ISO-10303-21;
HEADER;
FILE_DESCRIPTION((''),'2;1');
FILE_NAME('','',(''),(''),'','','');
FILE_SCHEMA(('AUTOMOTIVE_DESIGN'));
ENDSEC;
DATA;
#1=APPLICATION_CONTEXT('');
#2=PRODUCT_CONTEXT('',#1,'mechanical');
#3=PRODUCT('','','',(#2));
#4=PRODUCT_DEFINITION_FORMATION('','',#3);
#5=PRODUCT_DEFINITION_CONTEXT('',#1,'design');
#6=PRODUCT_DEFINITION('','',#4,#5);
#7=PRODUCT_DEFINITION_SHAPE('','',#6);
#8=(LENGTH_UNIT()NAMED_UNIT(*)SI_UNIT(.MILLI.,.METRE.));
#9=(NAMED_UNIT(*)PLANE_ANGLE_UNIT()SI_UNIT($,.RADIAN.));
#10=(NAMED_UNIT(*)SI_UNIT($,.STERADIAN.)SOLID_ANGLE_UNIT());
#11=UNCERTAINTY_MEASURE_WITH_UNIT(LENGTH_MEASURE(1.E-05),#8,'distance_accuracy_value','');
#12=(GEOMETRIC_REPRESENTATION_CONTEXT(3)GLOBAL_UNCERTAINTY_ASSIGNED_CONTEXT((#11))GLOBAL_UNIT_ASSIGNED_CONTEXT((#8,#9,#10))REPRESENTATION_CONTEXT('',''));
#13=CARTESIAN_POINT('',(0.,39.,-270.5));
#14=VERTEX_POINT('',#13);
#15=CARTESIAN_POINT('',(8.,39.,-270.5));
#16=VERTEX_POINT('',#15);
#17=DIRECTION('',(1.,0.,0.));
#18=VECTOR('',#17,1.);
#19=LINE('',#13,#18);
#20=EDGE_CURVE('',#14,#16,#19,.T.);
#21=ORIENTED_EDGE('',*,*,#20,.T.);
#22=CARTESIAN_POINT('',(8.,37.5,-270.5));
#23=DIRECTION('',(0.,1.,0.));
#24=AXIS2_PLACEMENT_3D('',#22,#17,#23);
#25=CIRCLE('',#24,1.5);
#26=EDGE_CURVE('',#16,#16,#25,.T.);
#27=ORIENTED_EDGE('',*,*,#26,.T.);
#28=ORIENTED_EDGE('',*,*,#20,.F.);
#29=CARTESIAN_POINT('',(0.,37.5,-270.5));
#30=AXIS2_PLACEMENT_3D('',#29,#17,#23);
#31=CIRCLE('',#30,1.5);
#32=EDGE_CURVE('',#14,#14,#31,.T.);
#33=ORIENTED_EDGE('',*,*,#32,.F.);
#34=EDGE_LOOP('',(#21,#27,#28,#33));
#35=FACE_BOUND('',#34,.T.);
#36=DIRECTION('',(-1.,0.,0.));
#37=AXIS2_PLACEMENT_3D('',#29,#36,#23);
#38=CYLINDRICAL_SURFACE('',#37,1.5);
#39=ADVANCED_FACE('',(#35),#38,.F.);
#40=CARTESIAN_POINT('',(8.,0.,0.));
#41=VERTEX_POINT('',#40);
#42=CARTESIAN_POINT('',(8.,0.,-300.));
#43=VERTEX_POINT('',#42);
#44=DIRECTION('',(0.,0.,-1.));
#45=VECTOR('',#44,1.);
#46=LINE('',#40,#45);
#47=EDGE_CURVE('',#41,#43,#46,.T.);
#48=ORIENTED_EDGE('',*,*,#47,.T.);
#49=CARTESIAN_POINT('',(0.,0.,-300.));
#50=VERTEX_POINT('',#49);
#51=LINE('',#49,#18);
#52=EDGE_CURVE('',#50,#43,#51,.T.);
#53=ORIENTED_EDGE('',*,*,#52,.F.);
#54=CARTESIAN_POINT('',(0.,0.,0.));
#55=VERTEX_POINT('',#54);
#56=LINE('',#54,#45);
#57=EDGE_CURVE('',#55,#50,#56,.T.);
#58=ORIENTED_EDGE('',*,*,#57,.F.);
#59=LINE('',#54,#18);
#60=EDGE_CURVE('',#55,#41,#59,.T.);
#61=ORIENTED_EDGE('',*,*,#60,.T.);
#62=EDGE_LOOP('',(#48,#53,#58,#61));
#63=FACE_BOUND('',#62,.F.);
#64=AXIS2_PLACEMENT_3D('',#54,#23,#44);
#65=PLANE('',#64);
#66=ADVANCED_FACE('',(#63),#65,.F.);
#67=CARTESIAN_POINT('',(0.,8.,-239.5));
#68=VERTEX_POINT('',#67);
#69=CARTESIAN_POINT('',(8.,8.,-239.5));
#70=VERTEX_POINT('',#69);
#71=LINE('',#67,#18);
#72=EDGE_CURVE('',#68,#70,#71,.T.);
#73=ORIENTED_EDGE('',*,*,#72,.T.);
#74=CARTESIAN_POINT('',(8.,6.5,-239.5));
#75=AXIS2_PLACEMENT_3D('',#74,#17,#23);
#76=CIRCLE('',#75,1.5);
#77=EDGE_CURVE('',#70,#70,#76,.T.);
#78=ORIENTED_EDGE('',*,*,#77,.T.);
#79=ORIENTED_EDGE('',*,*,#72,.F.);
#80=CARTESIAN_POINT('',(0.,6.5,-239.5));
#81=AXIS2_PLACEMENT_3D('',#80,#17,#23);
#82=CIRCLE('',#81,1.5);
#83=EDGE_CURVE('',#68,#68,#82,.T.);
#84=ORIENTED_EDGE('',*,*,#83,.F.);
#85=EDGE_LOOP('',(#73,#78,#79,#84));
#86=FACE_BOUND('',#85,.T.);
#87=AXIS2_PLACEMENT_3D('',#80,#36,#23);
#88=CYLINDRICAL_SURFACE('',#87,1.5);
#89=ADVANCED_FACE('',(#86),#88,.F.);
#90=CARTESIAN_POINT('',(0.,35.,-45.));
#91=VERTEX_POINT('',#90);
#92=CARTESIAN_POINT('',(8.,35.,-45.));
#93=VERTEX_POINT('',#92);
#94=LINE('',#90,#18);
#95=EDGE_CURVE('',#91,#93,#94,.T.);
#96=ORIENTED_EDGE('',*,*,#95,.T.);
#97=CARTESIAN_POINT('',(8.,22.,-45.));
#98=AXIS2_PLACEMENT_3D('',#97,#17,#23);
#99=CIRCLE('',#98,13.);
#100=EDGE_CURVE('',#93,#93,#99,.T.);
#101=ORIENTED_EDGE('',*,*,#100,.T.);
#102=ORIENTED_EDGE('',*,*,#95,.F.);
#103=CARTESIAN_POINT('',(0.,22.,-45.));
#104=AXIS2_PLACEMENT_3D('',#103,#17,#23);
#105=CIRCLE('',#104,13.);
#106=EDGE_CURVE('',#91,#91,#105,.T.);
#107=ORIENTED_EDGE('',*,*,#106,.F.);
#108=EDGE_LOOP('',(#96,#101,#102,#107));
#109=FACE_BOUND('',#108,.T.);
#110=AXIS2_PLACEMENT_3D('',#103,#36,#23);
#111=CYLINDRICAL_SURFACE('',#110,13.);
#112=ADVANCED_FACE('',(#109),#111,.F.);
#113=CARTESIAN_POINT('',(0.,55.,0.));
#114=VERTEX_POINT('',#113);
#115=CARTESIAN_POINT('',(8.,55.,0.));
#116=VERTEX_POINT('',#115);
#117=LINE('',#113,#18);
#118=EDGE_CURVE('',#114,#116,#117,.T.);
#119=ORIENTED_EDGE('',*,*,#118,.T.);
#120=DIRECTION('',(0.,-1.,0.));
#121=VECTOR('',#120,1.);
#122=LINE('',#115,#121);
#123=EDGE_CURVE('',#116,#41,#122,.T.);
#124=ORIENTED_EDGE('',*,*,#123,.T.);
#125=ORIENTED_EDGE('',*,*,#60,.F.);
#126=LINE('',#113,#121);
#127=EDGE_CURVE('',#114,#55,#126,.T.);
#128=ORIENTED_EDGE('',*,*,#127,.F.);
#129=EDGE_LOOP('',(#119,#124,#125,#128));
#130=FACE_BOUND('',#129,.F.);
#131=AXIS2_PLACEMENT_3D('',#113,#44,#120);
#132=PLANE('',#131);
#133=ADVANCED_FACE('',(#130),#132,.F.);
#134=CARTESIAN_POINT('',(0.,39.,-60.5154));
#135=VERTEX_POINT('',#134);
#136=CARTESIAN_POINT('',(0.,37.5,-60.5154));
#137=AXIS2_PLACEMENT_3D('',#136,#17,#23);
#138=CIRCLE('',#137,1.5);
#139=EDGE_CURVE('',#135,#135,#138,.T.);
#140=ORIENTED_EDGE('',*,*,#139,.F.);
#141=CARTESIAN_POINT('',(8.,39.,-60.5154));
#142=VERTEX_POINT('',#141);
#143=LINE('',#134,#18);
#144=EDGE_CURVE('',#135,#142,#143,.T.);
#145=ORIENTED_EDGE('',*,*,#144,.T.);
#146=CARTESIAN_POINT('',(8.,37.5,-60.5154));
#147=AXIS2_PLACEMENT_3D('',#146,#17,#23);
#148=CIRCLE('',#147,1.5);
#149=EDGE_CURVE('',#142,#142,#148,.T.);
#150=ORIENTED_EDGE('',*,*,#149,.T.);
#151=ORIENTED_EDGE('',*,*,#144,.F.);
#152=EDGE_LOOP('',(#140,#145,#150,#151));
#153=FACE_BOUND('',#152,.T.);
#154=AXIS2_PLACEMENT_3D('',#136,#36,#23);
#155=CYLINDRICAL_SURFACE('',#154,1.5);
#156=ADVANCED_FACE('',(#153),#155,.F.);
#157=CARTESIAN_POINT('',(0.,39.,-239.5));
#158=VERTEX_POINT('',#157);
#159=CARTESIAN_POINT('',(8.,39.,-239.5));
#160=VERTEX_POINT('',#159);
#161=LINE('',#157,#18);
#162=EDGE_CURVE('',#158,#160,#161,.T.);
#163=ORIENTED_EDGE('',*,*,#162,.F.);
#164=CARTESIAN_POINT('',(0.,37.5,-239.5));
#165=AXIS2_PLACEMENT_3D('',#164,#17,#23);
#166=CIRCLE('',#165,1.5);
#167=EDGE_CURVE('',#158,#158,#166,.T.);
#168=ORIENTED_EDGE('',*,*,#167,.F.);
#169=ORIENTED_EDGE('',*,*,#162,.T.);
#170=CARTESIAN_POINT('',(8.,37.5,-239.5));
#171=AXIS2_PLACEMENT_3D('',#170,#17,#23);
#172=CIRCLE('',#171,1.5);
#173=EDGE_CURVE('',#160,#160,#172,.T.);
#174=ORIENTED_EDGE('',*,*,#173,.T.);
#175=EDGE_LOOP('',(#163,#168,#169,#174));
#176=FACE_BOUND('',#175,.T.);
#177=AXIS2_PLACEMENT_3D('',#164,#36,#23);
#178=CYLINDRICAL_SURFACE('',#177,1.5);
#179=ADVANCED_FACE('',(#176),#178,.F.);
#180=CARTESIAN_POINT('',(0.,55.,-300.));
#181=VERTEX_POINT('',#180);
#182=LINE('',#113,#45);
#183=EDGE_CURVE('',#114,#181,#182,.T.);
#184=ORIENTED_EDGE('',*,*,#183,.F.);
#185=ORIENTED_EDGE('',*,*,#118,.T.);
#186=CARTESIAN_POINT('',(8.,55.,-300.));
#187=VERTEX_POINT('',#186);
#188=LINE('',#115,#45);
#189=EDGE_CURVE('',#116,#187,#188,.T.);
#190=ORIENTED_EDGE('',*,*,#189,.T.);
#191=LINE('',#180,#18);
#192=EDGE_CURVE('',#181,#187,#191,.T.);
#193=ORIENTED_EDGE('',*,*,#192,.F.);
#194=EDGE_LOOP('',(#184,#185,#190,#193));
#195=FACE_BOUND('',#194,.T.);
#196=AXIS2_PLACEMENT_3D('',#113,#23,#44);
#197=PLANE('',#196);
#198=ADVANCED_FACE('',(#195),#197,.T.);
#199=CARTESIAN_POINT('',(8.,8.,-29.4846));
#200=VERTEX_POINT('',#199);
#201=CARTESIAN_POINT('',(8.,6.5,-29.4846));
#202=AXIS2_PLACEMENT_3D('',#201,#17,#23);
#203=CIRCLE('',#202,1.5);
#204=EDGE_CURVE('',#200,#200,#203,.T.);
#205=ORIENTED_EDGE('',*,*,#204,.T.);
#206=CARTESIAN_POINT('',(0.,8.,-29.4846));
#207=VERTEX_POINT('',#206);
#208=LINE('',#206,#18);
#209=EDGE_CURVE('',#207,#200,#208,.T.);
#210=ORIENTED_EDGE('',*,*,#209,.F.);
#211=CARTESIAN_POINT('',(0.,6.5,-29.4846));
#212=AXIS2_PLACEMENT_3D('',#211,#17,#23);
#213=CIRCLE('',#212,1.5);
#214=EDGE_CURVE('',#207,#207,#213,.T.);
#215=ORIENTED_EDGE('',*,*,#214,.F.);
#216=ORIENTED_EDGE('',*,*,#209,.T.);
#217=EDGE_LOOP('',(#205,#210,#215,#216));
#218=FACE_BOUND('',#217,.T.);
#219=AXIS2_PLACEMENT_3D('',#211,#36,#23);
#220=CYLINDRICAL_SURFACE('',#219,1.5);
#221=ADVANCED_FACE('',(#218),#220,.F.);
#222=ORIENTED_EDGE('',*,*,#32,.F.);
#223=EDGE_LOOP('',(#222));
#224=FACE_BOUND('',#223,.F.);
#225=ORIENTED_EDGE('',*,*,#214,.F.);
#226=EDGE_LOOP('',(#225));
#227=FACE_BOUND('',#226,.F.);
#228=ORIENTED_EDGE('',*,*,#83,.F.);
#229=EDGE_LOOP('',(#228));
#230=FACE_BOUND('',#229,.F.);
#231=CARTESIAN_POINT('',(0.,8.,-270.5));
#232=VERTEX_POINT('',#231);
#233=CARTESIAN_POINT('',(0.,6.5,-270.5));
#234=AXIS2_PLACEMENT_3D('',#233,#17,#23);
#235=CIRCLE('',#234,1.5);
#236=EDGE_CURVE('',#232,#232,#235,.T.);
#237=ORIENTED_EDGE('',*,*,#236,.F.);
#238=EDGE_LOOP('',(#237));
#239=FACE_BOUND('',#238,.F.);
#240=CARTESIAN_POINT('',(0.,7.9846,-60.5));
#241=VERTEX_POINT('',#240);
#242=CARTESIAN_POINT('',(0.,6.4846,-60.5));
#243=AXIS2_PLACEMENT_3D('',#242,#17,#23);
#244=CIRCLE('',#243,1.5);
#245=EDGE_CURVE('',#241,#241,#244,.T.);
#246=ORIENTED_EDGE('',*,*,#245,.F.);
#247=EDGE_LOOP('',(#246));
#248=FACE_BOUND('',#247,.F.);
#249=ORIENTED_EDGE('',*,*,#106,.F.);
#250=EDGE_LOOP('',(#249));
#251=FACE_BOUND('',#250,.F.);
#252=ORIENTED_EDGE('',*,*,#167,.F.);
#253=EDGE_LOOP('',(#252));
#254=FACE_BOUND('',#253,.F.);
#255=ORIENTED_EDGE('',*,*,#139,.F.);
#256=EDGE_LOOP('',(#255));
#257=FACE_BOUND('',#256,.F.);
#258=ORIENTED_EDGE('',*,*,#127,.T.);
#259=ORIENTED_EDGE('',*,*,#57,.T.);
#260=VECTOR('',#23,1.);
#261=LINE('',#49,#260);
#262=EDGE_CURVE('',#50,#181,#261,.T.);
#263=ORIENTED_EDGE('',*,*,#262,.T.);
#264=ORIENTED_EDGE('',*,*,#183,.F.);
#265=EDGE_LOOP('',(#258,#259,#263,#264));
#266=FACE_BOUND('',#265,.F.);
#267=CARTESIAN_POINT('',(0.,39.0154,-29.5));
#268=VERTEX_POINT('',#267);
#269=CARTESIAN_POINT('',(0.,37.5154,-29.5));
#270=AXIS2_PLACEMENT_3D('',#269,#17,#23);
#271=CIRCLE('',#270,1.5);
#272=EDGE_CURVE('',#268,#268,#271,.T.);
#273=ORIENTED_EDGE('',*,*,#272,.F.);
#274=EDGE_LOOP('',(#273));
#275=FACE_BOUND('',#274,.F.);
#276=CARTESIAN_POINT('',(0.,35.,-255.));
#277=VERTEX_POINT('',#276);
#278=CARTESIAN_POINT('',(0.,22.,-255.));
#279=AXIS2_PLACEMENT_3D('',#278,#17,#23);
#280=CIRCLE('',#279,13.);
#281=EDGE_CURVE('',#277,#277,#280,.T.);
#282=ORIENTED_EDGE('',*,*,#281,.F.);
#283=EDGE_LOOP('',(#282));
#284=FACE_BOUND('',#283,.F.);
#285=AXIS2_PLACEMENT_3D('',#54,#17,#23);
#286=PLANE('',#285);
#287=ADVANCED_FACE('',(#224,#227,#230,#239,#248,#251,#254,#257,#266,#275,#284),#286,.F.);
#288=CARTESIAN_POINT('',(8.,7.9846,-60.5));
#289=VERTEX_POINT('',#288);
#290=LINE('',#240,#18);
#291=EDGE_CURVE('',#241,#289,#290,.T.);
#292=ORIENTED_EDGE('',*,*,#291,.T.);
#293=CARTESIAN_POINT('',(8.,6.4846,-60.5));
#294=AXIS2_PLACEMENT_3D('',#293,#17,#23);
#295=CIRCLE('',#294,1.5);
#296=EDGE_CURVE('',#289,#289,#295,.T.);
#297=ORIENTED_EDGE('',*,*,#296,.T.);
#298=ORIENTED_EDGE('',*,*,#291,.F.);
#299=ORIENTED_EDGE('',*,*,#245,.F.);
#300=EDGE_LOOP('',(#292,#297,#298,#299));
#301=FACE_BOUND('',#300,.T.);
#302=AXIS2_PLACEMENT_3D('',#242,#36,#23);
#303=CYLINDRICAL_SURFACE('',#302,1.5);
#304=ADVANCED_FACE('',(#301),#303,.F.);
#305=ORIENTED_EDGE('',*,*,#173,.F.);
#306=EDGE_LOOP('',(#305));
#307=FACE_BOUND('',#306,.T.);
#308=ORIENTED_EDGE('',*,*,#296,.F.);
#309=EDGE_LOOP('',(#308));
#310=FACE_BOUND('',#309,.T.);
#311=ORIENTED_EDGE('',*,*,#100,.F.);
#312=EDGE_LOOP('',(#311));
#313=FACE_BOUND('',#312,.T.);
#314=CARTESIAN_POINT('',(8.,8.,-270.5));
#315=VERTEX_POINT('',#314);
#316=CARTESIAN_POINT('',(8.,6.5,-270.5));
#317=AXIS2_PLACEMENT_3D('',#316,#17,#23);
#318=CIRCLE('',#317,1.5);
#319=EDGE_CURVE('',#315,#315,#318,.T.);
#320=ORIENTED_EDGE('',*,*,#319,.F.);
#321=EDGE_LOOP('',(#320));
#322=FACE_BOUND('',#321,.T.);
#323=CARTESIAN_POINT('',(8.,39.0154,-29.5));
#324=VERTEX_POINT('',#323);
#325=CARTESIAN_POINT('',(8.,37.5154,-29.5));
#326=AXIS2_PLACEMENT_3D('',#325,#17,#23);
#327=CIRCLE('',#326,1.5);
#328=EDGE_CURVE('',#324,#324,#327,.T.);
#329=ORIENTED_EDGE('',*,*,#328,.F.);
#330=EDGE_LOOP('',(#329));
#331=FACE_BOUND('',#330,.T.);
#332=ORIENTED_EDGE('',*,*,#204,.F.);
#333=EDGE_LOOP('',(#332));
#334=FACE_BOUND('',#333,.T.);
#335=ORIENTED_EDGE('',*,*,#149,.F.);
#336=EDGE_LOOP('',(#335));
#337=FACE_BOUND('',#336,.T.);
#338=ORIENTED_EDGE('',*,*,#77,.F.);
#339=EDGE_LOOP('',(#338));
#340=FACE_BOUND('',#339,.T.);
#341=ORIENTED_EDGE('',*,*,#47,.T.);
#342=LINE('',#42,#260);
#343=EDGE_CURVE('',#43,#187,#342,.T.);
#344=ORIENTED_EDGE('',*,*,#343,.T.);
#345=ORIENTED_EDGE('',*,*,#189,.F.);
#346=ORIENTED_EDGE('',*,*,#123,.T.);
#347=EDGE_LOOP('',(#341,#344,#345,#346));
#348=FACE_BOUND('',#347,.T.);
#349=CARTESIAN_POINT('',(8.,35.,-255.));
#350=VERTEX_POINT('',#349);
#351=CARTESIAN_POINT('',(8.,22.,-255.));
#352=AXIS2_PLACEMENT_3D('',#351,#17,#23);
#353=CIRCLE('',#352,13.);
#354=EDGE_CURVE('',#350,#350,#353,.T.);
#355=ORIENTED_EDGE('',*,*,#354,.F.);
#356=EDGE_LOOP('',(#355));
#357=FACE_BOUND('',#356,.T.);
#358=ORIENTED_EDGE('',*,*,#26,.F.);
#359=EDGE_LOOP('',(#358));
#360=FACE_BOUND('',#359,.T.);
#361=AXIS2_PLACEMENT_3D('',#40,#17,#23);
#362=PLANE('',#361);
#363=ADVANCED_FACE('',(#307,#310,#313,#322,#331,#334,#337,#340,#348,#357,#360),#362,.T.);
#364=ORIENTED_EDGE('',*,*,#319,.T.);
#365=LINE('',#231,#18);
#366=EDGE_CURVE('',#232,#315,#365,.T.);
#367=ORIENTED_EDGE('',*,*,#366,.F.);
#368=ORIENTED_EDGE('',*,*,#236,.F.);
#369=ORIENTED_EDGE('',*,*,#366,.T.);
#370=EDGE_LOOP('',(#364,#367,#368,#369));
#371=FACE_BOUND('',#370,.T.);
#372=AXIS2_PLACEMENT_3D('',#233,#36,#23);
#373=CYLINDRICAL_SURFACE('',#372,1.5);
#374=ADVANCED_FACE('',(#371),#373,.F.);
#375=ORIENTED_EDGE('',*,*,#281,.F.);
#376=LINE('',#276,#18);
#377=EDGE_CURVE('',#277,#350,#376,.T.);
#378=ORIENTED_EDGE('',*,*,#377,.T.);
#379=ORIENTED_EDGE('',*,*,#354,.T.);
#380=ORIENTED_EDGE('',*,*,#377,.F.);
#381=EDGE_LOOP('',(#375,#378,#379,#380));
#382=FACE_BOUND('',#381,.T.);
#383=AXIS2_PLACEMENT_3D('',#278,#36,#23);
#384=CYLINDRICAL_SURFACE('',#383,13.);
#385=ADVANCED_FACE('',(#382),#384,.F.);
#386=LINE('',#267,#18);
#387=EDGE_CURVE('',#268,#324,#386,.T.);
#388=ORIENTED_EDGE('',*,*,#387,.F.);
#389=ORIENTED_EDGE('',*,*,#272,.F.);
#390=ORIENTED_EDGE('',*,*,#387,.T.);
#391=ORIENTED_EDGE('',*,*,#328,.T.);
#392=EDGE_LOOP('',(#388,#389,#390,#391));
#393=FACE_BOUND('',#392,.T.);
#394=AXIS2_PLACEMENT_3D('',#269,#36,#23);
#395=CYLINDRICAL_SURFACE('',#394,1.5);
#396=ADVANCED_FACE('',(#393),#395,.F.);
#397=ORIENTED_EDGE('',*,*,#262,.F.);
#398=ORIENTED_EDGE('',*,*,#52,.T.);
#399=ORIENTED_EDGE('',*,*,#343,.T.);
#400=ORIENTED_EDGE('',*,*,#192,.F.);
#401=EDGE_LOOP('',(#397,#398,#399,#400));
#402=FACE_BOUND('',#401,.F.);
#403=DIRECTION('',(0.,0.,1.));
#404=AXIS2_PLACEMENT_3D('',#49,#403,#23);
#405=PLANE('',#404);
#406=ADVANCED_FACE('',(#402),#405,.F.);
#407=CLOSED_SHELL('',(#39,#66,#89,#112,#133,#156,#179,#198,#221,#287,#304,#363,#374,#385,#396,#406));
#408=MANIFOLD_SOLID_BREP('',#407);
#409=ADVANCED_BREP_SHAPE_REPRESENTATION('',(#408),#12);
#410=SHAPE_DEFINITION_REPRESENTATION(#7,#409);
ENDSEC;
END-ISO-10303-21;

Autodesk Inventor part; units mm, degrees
ref_plane "YZ Plane" through (0, 0, 0) normal (1, 0, 0) x (0, 1, 0)
ref_plane "XZ Plane" through (0, 0, 0) normal (0, 1, 0) x (-1, 0, 0)
ref_plane "XY Plane" through (0, 0, 0) normal (0, 0, 1) x (1, 0, 0)
sketch "Szkic1" plane through (0, 0, 0) normal (1, 0, 0) x (0, 1, 0)
  line L0 (0, -300) -> (55, -300)
  line L1 (55, 0) -> (0, 0)
  line L2 (55, 0) -> (55, -300)
  circle A0 centre (22, -45) radius 13
  circle A1 centre (22, -255) radius 13
  line L3 (0, 0) -> (0, -300)
  circle A2 centre (37.5154, -29.5) radius 1.5
  circle A3 centre (6.5, -29.4846) radius 1.5
  circle A4 centre (6.4846, -60.5) radius 1.5
  circle A5 centre (37.5, -60.5154) radius 1.5
  circle A6 centre (6.5, -270.5) radius 1.5
  circle A7 centre (37.5, -270.5) radius 1.5
  circle A8 centre (37.5, -239.5) radius 1.5
  circle A9 centre (6.5, -239.5) radius 1.5
  dimension "d0" = 300
  dimension "d1" = 55
  dimension "d2" = 300
  dimension "d5" = 26
  dimension "d8" = 26
  dimension "d9" = 3
  dimension "d12" = 360
  dimension "d14" = 3
  dimension "d17" = 360
extrude "Wyciągnięcie proste1" add sketch "Szkic1" along normal blind 8
properties part number "bok"
